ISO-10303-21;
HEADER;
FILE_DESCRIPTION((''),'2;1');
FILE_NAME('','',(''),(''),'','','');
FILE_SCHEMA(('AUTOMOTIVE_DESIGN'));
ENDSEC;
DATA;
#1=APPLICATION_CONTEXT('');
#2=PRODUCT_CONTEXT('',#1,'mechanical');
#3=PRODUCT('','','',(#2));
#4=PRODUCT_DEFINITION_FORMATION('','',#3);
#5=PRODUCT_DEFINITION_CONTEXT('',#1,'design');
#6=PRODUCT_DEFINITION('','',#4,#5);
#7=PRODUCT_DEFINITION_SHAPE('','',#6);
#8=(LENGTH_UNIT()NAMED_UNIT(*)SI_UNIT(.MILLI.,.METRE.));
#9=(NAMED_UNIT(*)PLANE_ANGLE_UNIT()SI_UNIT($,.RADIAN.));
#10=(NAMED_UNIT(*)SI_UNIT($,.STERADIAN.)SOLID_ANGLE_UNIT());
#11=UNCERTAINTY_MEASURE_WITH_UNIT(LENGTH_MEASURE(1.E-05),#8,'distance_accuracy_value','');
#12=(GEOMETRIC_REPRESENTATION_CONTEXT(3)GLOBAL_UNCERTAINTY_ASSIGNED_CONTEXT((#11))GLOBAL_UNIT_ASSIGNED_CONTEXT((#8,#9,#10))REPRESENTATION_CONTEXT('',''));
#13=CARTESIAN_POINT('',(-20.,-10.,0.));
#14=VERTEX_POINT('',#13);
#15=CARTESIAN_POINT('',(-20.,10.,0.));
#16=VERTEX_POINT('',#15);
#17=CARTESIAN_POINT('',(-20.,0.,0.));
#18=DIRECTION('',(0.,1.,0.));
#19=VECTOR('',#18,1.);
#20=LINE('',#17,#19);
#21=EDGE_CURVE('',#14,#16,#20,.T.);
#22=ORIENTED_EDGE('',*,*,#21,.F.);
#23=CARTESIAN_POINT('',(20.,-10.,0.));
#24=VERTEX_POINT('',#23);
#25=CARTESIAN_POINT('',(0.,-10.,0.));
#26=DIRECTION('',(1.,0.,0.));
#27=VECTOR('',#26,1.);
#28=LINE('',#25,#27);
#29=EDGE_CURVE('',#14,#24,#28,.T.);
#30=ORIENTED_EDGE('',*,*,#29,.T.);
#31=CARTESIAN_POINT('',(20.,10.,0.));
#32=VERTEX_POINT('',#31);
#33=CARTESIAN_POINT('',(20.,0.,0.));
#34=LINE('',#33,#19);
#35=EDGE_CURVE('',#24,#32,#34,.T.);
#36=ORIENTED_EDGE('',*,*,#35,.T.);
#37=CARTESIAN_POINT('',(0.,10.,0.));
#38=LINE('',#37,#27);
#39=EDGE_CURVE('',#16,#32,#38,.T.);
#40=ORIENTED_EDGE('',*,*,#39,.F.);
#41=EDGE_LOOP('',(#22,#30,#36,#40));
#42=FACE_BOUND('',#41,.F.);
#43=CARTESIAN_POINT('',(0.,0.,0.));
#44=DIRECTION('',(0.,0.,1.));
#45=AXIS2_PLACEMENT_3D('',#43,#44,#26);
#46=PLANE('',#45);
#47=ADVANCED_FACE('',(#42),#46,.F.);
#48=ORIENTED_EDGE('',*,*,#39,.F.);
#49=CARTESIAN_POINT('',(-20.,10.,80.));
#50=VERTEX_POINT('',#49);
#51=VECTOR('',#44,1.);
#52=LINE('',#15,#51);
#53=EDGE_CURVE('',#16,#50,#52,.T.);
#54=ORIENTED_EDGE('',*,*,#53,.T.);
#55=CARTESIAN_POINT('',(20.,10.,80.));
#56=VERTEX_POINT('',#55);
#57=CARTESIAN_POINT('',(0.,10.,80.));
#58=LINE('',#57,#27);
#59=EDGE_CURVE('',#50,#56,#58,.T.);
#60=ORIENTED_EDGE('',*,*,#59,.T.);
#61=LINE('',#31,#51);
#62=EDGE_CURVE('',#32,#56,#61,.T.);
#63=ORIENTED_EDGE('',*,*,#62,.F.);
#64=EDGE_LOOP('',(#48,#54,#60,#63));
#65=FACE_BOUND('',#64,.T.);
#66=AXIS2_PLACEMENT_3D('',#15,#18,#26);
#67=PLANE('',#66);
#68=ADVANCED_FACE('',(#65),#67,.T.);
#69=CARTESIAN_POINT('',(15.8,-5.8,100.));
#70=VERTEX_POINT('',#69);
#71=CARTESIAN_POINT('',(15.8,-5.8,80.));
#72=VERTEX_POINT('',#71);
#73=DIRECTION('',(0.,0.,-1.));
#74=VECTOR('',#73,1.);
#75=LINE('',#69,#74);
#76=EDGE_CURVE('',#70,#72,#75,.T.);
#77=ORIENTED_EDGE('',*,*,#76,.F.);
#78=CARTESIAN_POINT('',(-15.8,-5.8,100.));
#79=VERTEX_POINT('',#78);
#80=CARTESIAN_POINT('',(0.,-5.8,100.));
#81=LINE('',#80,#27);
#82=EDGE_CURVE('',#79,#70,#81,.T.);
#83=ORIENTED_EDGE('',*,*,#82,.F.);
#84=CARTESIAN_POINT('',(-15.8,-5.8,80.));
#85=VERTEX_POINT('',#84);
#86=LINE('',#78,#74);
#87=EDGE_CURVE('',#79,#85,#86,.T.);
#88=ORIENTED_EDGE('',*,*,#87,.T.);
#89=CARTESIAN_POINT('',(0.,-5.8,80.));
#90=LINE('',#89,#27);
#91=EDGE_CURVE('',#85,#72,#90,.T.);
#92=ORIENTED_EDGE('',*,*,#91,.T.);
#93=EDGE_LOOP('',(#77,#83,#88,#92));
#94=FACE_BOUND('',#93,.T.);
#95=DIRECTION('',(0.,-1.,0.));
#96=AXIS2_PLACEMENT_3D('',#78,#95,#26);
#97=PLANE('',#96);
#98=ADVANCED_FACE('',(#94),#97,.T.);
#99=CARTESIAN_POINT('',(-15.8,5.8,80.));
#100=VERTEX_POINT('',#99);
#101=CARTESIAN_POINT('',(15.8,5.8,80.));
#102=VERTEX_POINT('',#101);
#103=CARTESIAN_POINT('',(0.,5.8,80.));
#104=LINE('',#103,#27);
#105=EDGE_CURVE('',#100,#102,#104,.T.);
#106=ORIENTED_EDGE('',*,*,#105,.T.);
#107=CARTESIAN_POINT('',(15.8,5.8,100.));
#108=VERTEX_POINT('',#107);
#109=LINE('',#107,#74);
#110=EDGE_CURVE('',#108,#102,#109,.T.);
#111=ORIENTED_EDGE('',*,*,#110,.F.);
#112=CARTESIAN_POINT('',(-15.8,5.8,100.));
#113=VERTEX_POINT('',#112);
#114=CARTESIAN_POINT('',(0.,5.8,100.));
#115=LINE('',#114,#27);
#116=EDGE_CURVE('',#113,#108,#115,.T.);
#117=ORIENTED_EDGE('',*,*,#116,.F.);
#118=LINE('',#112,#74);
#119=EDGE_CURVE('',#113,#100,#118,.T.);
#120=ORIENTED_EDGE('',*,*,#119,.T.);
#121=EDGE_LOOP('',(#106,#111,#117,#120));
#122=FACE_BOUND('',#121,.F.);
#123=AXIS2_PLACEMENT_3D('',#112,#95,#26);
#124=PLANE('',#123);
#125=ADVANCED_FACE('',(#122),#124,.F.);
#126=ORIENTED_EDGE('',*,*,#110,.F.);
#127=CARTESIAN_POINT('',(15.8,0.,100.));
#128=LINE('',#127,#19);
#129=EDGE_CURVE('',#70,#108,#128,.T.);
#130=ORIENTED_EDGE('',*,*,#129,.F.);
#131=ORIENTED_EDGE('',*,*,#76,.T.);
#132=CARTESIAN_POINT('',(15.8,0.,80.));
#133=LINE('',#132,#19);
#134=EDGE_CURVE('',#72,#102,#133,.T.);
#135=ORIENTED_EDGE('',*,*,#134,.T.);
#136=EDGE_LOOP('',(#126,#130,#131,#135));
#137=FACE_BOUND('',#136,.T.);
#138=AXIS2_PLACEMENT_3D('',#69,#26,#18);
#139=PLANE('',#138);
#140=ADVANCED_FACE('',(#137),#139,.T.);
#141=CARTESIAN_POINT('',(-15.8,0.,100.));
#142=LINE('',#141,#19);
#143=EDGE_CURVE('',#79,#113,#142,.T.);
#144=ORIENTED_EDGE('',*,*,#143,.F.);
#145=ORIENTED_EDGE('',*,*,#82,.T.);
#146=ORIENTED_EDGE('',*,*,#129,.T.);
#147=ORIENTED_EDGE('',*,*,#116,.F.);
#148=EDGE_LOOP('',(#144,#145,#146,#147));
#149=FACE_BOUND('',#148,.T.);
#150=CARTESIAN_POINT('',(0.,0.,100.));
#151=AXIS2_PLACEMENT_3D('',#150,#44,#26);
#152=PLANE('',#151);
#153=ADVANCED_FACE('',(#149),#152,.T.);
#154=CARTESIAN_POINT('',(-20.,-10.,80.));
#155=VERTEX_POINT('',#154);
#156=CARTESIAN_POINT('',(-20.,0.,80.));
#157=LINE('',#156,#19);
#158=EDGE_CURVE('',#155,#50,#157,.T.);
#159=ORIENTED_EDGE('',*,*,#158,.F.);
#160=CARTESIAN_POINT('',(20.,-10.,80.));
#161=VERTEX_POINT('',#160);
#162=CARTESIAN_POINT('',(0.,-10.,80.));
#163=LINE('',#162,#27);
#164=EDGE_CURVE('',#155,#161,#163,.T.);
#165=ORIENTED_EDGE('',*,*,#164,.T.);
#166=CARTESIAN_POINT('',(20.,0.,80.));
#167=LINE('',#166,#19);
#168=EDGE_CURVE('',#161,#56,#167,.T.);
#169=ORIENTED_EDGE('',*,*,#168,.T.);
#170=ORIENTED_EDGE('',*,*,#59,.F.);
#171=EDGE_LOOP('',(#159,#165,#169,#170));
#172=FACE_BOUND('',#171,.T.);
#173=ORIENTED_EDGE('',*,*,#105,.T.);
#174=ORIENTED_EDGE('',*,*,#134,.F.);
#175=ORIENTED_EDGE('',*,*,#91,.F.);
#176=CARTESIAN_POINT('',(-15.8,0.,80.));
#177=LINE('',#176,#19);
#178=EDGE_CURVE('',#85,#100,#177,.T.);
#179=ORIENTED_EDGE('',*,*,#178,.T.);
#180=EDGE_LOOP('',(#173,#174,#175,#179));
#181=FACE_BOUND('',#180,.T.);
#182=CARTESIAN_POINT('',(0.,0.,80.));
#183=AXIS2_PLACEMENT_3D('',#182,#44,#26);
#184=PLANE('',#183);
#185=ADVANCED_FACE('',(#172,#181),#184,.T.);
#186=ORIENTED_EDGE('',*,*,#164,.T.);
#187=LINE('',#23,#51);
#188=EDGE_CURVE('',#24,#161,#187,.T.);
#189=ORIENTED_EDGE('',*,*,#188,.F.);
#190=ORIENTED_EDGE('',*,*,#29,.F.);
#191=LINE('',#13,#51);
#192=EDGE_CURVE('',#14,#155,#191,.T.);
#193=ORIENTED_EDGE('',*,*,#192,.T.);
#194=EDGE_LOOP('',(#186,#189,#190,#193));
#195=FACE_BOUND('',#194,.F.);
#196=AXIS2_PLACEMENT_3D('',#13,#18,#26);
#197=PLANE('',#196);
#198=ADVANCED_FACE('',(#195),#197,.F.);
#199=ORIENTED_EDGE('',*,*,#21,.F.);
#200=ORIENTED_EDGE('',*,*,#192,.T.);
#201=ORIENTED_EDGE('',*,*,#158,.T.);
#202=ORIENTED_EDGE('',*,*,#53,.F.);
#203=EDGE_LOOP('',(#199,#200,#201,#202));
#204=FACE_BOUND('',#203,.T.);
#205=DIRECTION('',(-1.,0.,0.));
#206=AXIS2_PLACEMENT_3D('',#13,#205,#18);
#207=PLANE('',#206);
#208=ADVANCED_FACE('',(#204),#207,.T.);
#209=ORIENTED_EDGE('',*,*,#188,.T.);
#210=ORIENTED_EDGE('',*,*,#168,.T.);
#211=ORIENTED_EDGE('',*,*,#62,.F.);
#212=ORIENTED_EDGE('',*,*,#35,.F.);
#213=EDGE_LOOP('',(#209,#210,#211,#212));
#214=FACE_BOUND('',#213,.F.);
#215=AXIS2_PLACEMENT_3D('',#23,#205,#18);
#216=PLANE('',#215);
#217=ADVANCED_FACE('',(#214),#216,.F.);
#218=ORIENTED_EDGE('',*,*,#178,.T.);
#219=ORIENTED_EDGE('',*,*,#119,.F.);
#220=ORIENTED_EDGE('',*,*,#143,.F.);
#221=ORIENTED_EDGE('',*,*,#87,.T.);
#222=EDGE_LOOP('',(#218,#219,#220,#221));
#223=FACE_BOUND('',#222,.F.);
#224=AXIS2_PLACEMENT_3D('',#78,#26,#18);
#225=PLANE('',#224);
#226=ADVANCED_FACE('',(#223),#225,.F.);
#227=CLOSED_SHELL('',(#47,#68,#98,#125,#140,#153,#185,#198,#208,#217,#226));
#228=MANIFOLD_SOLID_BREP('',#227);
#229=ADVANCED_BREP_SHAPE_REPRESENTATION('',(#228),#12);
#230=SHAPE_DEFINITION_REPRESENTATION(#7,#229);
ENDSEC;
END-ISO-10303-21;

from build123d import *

# Parameters (mm, degrees)
SKETCH_3_W          = 40
SKETCH_3_H          = 20
EXTRUDE_3_DEPTH     = 100
SKETCH_4_W          = 40
SKETCH_4_H          = 20
SKETCH_4_W_2        = 31.6
SKETCH_4_H_2        = 11.6
CUT_EXTRUDE_1_DEPTH = 20


with BuildPart() as part:
    # 草图3 → 凸台-拉伸3 (new body)
    with BuildSketch(Plane.XY):
        Rectangle(SKETCH_3_W, SKETCH_3_H)
    extrude(amount=EXTRUDE_3_DEPTH)

    # 草图4 → 切除-拉伸1 (cut)
    with BuildSketch(Plane.XY.offset(100)):
        Rectangle(SKETCH_4_W, SKETCH_4_H)
        Rectangle(SKETCH_4_W_2, SKETCH_4_H_2, mode=Mode.SUBTRACT)
    extrude(amount=-CUT_EXTRUDE_1_DEPTH, mode=Mode.SUBTRACT)


solid = part.part
